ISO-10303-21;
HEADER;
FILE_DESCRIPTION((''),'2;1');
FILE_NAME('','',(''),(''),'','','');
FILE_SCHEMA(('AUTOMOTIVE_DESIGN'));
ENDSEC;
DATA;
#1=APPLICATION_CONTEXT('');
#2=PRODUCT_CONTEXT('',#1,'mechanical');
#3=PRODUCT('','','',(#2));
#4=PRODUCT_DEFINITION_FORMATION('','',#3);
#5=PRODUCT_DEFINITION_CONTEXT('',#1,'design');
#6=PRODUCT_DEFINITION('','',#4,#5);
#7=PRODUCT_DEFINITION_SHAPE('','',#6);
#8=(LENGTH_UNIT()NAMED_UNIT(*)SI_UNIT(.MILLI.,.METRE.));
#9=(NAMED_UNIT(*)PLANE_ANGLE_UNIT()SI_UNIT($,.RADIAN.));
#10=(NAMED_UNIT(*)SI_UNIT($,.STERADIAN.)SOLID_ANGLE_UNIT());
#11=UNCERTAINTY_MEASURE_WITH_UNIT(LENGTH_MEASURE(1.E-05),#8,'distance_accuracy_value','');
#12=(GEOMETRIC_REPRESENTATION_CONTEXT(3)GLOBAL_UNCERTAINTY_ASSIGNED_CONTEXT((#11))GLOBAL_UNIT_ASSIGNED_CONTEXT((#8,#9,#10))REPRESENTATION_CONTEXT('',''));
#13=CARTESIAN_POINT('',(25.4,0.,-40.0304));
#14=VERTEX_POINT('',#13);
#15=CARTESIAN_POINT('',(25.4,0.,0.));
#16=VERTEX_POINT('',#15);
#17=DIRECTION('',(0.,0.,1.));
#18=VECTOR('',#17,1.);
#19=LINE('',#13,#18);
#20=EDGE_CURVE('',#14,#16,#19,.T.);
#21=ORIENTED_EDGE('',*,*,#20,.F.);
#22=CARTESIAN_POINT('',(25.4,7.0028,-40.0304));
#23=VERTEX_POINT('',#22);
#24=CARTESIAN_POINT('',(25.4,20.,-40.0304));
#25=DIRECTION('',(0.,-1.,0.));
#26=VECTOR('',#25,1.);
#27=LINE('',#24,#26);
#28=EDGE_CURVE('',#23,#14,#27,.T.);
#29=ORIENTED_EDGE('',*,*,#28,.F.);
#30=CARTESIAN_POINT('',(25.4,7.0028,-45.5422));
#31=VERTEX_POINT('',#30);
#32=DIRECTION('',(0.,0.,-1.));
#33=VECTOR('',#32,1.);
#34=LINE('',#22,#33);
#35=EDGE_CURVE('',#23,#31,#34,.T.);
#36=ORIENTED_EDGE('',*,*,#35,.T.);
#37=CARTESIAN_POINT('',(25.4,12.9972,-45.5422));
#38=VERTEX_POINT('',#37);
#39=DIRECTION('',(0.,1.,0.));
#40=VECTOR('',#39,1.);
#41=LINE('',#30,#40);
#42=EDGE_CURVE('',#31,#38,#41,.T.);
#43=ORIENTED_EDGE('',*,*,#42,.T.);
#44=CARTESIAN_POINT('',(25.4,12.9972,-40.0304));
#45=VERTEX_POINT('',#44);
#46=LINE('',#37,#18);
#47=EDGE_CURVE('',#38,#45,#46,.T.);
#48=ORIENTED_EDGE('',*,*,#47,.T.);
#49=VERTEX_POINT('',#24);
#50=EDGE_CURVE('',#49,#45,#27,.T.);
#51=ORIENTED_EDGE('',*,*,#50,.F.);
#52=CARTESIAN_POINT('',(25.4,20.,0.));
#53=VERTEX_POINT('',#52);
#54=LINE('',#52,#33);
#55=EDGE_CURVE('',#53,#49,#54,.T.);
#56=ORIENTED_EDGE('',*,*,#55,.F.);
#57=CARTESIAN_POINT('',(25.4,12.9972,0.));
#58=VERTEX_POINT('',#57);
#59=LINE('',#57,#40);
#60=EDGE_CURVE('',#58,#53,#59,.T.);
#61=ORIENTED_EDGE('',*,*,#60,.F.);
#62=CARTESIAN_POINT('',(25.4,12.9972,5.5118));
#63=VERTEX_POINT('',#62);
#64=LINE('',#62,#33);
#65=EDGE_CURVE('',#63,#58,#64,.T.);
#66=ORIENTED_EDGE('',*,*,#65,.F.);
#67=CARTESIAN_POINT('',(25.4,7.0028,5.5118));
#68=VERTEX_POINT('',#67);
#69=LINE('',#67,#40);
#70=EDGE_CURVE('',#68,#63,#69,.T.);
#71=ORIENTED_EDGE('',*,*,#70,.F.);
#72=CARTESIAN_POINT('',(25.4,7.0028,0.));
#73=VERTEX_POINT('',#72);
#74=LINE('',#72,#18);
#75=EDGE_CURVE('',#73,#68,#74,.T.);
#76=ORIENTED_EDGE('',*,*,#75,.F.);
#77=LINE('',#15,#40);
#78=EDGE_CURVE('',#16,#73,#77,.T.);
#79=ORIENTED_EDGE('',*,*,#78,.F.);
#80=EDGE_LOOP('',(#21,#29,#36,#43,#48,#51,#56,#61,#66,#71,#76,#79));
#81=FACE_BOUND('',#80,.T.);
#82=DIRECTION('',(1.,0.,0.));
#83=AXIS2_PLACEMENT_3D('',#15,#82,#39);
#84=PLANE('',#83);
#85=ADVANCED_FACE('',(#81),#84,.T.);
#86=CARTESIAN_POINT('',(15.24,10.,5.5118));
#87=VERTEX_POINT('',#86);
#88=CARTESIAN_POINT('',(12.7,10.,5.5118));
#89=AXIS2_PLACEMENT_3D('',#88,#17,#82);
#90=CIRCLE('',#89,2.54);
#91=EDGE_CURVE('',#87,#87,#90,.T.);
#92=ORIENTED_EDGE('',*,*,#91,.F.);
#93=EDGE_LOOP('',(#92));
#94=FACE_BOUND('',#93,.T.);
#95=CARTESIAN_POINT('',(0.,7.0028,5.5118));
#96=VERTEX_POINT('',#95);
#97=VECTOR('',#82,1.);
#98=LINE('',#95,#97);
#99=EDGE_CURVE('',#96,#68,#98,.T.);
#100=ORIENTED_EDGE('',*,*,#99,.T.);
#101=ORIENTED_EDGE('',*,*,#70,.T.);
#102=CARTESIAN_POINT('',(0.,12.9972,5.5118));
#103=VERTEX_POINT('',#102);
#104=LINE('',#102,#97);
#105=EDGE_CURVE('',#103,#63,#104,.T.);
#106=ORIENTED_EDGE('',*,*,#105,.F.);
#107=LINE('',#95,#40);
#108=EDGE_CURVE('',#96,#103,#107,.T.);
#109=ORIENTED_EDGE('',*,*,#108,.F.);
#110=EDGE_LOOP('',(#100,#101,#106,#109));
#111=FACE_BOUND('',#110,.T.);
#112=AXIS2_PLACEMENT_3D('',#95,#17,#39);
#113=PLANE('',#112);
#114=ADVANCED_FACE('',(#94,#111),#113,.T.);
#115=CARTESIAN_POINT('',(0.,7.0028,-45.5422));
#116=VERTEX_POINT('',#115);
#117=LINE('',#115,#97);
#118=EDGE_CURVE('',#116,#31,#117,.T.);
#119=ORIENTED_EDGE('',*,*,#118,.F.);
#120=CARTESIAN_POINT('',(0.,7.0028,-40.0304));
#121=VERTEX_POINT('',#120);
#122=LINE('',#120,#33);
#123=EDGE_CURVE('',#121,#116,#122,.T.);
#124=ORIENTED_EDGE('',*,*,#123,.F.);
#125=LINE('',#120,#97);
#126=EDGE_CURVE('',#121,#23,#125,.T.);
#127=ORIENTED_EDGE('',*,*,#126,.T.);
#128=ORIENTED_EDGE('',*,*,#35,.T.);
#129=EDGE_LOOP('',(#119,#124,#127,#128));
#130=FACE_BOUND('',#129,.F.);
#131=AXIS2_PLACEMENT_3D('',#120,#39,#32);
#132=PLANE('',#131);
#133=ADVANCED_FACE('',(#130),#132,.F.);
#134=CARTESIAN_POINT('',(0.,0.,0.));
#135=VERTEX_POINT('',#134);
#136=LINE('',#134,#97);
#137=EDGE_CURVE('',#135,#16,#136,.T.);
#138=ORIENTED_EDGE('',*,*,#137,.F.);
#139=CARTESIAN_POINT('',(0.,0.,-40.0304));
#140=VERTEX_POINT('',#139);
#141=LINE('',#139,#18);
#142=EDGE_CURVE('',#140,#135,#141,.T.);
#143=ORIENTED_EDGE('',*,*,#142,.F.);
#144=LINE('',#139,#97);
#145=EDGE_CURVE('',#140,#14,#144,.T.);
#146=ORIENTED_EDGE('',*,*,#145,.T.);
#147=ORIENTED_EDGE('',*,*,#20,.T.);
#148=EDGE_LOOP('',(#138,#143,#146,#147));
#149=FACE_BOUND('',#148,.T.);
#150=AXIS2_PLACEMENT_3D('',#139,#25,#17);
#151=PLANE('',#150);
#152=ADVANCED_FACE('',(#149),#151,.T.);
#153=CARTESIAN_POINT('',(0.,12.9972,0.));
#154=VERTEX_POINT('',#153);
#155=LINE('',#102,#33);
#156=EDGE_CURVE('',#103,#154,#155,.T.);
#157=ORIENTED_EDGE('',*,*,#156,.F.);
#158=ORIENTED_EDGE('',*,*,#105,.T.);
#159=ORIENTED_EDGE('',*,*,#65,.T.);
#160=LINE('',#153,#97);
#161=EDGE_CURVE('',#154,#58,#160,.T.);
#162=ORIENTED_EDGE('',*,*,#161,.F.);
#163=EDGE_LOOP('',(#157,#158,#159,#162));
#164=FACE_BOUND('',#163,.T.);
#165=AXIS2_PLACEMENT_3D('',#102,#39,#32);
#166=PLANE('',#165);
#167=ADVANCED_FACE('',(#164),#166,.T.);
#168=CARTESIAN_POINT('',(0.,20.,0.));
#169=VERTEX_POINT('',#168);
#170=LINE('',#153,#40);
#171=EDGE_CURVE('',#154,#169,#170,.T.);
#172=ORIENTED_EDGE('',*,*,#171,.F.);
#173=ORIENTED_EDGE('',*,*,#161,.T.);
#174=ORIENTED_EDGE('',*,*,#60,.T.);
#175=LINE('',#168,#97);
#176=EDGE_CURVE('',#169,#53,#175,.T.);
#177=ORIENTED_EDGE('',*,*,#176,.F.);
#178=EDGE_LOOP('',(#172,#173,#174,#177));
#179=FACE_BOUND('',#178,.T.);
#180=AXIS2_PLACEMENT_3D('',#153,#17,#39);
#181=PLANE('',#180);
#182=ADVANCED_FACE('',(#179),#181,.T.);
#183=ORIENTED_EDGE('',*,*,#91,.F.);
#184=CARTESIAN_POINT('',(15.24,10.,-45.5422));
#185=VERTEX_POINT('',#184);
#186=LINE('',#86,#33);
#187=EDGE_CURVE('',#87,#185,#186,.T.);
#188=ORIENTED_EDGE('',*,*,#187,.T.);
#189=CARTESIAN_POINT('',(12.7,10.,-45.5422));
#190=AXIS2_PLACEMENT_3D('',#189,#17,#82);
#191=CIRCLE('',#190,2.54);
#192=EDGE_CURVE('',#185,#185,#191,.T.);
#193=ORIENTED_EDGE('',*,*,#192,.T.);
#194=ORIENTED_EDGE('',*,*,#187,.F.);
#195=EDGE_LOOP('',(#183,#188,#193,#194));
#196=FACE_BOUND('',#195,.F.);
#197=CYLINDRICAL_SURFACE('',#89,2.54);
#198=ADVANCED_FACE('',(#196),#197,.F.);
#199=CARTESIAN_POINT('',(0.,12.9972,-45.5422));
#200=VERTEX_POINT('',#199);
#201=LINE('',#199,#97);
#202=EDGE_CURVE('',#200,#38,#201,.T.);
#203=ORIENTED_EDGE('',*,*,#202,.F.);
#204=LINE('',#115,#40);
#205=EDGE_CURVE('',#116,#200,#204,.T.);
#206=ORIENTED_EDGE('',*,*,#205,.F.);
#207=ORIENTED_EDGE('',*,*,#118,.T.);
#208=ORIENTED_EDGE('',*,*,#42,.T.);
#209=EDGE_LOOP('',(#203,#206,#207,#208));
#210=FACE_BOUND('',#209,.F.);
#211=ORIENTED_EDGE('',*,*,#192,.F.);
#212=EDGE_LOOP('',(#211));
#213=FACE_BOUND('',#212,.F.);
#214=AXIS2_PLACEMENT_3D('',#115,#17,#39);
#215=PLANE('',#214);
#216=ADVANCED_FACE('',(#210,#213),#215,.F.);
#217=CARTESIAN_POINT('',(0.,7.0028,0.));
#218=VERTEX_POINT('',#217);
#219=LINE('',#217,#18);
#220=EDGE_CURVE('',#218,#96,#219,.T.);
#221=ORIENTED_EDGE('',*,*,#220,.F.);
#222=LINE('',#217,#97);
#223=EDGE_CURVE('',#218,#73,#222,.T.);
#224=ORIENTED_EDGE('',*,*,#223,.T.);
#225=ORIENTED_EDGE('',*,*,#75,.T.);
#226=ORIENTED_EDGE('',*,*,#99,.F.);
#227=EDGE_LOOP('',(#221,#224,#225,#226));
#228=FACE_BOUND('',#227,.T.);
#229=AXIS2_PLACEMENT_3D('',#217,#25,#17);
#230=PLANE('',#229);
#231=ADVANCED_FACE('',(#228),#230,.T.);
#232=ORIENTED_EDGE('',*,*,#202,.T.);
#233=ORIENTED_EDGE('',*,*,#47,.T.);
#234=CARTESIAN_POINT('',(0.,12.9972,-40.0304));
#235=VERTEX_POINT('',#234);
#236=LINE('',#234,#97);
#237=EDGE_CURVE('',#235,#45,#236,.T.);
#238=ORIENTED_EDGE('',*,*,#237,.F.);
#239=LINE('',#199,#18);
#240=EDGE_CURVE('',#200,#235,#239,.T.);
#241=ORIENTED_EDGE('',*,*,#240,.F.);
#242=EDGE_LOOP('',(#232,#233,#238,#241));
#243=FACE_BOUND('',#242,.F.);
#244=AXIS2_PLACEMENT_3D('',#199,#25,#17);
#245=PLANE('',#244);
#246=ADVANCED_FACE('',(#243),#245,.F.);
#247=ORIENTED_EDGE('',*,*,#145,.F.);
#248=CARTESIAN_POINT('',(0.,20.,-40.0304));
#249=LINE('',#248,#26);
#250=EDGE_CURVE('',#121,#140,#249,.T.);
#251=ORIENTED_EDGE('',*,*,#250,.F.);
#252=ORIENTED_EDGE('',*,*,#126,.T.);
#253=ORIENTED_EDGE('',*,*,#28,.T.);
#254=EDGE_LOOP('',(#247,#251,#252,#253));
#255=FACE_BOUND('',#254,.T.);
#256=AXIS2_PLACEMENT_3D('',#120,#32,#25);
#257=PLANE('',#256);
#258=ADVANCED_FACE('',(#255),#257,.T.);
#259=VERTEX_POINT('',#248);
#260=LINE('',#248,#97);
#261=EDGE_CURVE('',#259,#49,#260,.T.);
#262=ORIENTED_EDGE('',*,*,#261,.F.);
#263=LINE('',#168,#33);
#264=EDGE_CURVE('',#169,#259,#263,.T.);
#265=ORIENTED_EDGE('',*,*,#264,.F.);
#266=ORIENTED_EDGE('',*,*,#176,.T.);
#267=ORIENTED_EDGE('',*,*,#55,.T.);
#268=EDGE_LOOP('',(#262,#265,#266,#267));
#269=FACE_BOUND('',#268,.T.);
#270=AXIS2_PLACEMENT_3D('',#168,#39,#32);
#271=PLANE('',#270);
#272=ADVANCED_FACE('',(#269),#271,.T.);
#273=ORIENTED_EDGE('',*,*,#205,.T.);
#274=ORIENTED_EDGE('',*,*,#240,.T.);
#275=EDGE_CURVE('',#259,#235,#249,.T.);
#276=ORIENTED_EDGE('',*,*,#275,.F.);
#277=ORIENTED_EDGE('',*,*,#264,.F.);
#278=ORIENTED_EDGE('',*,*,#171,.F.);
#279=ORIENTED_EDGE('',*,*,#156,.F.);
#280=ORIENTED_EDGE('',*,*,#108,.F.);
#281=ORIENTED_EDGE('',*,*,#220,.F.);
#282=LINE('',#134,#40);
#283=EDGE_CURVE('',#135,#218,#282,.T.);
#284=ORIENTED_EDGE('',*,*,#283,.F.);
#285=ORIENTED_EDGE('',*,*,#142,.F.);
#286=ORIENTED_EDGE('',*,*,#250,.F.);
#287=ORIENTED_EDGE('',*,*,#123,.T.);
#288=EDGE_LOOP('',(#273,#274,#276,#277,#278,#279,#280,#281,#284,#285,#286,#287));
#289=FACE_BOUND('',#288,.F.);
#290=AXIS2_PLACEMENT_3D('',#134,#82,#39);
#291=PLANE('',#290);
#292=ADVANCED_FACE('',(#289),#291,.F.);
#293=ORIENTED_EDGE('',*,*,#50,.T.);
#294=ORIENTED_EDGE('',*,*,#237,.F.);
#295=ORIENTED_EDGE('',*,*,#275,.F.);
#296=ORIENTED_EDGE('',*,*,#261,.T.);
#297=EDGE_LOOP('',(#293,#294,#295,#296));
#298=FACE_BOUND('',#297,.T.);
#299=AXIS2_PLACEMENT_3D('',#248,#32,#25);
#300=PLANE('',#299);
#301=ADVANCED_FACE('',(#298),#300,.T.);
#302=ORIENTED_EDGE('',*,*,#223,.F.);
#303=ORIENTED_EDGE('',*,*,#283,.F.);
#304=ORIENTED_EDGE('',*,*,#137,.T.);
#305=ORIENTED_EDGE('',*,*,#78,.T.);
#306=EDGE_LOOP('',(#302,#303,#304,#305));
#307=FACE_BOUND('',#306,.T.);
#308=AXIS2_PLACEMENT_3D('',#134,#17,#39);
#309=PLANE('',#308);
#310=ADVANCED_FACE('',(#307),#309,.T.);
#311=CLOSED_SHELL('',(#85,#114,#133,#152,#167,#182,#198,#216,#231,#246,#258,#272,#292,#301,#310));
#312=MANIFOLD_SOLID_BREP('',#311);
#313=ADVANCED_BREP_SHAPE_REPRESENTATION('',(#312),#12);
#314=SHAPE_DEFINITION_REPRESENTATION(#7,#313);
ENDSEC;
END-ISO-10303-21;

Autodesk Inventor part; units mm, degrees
ref_plane "YZ Plane" through (0, 0, 0) normal (1, 0, 0) x (0, 1, 0)
ref_plane "XZ Plane" through (0, 0, 0) normal (0, 1, 0) x (-1, 0, 0)
ref_plane "XY Plane" through (0, 0, 0) normal (0, 0, 1) x (1, 0, 0)
sketch "Sketch1" plane through (0, 0, 0) normal (1, 0, 0) x (0, 1, 0)
  line L0 (20, 0) -> (20, -40.0304)
  line L1 (20, -40.0304) -> (0, -40.0304)
  line L2 (0, -40.0304) -> (0, 0)
  line L3 (12.9972, 0) -> (7.0028, 0)
  line L4 (7.0028, 0) -> (7.0028, 5.5118)
  line L5 (7.0028, 5.5118) -> (12.9972, 5.5118)
  line L6 (12.9972, 5.5118) -> (12.9972, 0)
  line L7 (12.9972, -40.0304) -> (7.0028, -40.0304)
  line L8 (7.0028, -40.0304) -> (7.0028, -45.5422)
  line L9 (7.0028, -45.5422) -> (12.9972, -45.5422)
  line L10 (12.9972, -45.5422) -> (12.9972, -40.0304)
  line L11 (0, 0) -> (7.0028, 0)
  line L12 (12.9972, 0) -> (20, 0)
  dimension "d0" = 20
  dimension "d1" = 40.0304
  dimension "d2" = 5.5118
  dimension "d3" = 5.9944
  dimension "d4" = 5.5118
  dimension "d5" = 7.0028
  dimension "d6" = 7.0028
  dimension "d7" = 5.9944
extrude "Extrusion1" add sketch "Sketch1" along normal blind 25.4
sketch "Sketch2" plane through (0, 7.0028, 5.5118) normal (0, 0, 1) x (1, 0, 0)
  line L0 (0, 5.9944) -> (25.4, 5.9944) projected
  line L1 (25.4, 12.9972) -> (25.4, 5.9944) projected
  line L2 (0, 12.9972) -> (25.4, 12.9972) projected
  line L3 (0, 12.9972) -> (0, 5.9944) projected
  line L4 (0, 5.9944) -> (0, 0) projected
  line L5 (0, 0) -> (25.4, 0) projected
  line L6 (25.4, 5.9944) -> (25.4, 0) projected
  line L7 (0, 5.9944) -> (25.4, 5.9944) projected
  line L8 (0, 0) -> (25.4, 0) projected
  line L9 (0, 0) -> (0, -7.0028) projected
  line L10 (0, -7.0028) -> (25.4, -7.0028) projected
  line L11 (25.4, 0) -> (25.4, -7.0028) projected
  circle A0 centre (12.7, 2.9972) radius 2.54
  dimension "d10" = 5.08
extrude "Extrusion2" cut sketch "Sketch2" against normal blind 127 contours A0
equation "\"d4\" = d2"
equation "\"d5\" = 0.5 * d0 - 0.5 * d3"
equation "\"d6\" = d5"
equation "\"d7\" = d3"
properties part number "FrameSpacer"
